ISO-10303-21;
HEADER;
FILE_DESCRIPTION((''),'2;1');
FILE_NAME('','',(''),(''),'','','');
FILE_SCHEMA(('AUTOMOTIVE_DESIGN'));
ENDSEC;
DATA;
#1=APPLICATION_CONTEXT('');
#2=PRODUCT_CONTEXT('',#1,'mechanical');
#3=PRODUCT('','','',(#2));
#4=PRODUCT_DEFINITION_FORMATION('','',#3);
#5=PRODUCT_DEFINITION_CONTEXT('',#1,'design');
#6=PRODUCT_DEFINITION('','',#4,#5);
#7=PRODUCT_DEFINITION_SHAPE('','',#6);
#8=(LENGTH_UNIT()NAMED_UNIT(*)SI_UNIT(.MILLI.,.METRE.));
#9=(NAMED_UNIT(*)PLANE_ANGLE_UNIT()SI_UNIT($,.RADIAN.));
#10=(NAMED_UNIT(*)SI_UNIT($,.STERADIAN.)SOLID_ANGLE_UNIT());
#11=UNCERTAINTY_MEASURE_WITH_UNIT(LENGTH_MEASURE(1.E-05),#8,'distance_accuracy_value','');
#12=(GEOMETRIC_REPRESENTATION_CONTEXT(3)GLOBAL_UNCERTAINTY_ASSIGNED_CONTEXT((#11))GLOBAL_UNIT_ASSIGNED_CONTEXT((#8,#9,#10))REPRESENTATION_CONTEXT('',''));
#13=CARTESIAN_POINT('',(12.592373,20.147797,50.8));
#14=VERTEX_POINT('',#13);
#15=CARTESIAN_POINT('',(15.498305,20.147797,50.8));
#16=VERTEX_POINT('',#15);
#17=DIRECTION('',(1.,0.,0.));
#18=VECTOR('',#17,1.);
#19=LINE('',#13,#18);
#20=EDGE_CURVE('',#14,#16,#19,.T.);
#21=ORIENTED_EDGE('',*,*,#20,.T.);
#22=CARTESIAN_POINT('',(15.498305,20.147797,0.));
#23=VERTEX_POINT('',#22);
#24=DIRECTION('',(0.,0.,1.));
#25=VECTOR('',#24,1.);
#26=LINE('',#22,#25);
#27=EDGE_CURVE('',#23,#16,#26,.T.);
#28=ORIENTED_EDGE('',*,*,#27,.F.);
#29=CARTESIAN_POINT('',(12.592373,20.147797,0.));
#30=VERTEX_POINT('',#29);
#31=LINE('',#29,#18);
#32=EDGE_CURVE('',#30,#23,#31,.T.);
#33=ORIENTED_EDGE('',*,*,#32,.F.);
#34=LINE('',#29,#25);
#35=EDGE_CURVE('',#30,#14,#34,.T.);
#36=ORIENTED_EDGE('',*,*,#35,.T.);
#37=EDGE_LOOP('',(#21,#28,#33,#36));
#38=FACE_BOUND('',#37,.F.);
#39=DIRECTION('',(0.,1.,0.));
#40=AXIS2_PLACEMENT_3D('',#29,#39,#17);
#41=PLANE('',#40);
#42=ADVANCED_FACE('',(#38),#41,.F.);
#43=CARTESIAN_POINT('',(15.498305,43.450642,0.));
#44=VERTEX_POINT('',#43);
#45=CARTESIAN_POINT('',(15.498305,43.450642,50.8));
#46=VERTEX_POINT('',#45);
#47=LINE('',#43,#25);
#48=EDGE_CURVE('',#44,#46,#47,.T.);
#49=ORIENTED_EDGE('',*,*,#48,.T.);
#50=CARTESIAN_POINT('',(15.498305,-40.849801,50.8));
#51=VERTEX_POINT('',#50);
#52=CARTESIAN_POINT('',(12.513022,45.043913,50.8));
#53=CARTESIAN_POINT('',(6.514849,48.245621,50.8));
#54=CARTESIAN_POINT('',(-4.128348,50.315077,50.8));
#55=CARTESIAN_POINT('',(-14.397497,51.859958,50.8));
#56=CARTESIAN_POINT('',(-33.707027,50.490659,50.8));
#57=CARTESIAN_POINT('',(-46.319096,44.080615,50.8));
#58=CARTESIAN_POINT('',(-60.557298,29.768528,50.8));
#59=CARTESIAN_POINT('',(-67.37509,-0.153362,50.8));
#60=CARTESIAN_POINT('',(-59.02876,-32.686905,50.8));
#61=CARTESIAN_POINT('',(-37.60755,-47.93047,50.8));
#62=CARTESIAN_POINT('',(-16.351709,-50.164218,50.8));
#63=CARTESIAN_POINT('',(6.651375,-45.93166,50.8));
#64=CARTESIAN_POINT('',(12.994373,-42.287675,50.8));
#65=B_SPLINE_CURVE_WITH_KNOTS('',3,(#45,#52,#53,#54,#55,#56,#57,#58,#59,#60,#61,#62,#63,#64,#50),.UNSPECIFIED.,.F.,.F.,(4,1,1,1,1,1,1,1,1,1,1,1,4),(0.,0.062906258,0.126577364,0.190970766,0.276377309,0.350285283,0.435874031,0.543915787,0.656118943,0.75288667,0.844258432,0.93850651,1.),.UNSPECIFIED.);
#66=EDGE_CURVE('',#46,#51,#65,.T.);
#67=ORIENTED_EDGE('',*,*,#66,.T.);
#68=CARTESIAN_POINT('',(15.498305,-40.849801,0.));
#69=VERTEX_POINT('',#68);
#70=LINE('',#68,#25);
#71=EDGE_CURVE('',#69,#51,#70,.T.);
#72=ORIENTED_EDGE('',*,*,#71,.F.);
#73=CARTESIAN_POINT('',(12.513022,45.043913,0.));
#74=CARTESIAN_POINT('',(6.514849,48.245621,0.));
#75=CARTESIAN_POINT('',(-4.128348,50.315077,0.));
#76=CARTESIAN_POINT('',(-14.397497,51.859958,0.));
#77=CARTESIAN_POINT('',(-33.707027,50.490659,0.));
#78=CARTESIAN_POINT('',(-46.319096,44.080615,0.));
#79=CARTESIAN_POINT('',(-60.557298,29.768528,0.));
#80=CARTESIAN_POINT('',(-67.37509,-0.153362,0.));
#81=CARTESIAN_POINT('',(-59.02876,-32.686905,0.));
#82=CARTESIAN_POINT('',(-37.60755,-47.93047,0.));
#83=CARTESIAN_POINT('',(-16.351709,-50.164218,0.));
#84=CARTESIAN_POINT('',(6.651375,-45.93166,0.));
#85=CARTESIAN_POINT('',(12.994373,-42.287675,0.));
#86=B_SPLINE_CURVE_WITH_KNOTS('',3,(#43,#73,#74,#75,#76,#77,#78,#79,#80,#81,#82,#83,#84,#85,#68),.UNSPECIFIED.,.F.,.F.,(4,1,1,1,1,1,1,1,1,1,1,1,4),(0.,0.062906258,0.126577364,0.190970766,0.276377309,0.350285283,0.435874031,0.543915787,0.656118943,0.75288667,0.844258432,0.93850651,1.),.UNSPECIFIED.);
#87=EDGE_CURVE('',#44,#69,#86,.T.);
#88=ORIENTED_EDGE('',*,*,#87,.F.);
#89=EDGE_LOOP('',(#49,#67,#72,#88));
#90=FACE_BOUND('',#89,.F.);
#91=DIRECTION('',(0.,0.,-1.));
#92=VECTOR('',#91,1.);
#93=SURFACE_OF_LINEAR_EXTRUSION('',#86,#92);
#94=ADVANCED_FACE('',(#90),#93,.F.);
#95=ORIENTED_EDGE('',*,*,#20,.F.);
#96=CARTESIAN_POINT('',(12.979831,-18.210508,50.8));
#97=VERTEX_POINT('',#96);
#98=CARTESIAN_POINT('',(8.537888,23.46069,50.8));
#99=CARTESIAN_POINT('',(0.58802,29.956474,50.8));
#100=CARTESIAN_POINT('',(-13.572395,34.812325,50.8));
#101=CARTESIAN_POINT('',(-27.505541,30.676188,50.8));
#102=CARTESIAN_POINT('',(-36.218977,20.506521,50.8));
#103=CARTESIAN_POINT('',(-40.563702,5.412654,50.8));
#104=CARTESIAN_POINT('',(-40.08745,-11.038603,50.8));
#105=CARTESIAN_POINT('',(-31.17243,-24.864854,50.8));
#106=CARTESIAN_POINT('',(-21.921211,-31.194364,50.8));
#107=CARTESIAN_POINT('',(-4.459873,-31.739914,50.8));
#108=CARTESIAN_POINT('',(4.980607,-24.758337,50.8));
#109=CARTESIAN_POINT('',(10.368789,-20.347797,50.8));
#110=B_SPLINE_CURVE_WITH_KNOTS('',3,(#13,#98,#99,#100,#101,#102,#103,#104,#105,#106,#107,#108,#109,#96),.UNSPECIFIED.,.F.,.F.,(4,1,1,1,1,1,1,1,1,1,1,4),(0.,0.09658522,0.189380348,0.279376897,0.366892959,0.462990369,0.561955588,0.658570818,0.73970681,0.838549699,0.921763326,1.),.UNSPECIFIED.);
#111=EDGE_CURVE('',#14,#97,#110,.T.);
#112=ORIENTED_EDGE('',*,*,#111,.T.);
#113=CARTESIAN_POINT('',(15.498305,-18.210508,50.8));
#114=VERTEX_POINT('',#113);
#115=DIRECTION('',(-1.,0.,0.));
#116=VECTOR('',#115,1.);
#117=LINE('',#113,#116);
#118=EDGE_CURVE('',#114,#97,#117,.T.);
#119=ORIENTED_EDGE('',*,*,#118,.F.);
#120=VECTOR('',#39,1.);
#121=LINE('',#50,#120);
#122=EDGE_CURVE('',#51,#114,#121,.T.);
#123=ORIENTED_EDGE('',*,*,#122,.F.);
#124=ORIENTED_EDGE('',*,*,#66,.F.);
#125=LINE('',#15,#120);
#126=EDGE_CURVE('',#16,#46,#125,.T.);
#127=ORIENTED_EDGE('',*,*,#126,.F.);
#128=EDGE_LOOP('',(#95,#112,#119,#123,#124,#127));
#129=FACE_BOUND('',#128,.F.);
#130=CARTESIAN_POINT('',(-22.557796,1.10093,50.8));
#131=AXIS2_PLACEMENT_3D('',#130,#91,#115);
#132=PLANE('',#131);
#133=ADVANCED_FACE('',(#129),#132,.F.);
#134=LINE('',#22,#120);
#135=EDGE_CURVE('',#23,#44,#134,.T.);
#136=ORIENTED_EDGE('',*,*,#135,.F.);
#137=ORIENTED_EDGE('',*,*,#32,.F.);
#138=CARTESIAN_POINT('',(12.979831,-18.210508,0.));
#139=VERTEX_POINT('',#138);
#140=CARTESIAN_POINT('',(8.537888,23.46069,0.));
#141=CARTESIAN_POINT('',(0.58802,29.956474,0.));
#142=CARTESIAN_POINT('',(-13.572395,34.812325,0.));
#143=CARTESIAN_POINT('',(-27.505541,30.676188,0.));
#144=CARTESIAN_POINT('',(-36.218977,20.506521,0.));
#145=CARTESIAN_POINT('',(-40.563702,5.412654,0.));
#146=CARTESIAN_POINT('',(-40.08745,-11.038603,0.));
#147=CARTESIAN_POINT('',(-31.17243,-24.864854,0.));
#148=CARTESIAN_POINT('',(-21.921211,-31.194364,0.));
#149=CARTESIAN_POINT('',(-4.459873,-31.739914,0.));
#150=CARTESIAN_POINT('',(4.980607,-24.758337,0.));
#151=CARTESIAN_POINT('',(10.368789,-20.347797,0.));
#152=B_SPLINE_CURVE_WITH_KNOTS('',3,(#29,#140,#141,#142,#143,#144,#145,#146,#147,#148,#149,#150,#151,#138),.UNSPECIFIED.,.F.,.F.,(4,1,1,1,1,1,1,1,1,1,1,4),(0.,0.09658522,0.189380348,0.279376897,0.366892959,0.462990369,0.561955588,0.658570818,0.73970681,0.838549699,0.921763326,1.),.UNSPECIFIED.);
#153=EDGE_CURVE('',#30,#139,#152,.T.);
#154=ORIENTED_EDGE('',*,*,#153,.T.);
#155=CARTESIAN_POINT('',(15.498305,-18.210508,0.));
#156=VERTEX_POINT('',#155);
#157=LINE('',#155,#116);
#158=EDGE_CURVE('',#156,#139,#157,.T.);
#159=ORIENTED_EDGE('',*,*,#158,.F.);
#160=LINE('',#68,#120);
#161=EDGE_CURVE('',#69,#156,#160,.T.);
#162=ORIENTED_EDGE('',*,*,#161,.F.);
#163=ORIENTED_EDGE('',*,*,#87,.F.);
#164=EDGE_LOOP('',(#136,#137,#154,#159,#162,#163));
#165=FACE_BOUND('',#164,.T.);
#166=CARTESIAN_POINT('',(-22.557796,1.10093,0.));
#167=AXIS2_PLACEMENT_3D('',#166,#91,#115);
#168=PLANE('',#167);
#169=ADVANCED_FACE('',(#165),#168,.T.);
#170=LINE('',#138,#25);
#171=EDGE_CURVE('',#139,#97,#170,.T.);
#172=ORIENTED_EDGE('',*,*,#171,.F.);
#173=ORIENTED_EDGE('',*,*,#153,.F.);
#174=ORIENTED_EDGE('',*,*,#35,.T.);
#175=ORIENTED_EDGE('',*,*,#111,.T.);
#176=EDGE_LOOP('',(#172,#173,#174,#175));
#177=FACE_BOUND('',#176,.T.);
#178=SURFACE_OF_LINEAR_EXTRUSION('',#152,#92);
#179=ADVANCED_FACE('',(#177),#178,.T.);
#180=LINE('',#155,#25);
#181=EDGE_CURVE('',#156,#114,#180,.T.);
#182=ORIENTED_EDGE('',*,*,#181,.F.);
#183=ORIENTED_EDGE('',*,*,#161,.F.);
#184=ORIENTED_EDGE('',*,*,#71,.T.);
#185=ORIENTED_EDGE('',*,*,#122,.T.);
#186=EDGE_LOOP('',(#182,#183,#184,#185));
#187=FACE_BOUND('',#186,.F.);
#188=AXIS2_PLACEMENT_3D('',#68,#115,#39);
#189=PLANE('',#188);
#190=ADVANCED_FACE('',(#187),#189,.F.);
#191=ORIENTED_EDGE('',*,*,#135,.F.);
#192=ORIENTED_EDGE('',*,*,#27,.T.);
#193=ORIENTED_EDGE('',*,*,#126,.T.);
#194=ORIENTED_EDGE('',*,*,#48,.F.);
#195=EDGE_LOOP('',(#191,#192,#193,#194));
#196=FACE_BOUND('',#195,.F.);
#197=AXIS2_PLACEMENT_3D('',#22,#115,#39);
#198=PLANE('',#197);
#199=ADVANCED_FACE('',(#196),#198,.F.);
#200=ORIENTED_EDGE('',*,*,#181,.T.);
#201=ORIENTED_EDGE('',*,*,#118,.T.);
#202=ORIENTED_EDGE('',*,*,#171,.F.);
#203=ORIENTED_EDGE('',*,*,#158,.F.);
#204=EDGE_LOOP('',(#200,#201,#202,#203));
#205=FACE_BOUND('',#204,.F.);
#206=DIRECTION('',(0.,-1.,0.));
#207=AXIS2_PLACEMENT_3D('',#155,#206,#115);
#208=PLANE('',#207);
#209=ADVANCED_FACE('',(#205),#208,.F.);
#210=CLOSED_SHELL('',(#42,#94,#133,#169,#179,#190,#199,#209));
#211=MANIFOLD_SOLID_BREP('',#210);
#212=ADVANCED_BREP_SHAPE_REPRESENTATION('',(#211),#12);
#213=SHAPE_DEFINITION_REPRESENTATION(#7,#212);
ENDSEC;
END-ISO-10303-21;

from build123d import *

# Parameters (mm, degrees)
F1_DEPTH = 50.8


with BuildPart() as f1:
    # F0 (on Top) → F1 (new body)
    with BuildSketch(Plane.XY):
        with BuildLine():
            add(Edge.make_bspline(
                [(12.5923734158, 20.1477967203), (8.5378882426, 23.4606895893), (0.5880195743, 29.9564744043), (-13.5723950527, 34.8123248788), (-27.505540987, 30.6761880298), (-36.2189771605, 20.5065206807), (-40.5637016446, 5.4126543827), (-40.0874503586, -11.0386026239), (-31.172429541, -24.8648537674), (-21.9212111533, -31.1943642029), (-4.4598733976, -31.7399141483), (4.9806068389, -24.7583374456), (10.3687890055, -20.3477972212), (12.9798306152, -18.2105079293)],
                knots=[0, 0, 0, 0, 0.09658522, 0.1893803484, 0.2793768975, 0.3668929591, 0.4629903693, 0.5619555881, 0.6585708185, 0.7397068102, 0.8385496993, 0.9217633258, 1, 1, 1, 1], degree=3))
            Line((12.5923734158, 20.1477967203), (15.4983047396, 20.1477967203))
            Line((15.4983047396, 20.1477967203), (15.4983047396, 43.4506423771))
            add(Edge.make_bspline(
                [(15.4983047396, 43.4506423771), (12.5130217377, 45.043913189), (6.5148490228, 48.2456206987), (-4.1283475984, 50.3150768378), (-14.3974967296, 51.8599577704), (-33.7070268178, 50.4906590325), (-46.3190961674, 44.0806148264), (-60.5572978485, 29.7685284336), (-67.3750902628, -0.1533616492), (-59.0287600264, -32.6869046935), (-37.6075504341, -47.9304695631), (-16.3517087465, -50.1642180017), (6.6513745131, -45.9316602301), (12.9943733352, -42.2876747596), (15.4983047396, -40.8498011529)],
                knots=[0, 0, 0, 0, 0.0629062582, 0.1265773644, 0.190970766, 0.276377309, 0.3502852829, 0.4358740314, 0.5439157873, 0.656118943, 0.7528866696, 0.8442584315, 0.9385065099, 1, 1, 1, 1], degree=3))
            Line((15.4983047396, -40.8498011529), (15.4983047396, -18.2105079293))
            Line((15.4983047396, -18.2105079293), (12.9798306152, -18.2105079293))
        make_face()
    extrude(amount=F1_DEPTH)


solid = f1.part
